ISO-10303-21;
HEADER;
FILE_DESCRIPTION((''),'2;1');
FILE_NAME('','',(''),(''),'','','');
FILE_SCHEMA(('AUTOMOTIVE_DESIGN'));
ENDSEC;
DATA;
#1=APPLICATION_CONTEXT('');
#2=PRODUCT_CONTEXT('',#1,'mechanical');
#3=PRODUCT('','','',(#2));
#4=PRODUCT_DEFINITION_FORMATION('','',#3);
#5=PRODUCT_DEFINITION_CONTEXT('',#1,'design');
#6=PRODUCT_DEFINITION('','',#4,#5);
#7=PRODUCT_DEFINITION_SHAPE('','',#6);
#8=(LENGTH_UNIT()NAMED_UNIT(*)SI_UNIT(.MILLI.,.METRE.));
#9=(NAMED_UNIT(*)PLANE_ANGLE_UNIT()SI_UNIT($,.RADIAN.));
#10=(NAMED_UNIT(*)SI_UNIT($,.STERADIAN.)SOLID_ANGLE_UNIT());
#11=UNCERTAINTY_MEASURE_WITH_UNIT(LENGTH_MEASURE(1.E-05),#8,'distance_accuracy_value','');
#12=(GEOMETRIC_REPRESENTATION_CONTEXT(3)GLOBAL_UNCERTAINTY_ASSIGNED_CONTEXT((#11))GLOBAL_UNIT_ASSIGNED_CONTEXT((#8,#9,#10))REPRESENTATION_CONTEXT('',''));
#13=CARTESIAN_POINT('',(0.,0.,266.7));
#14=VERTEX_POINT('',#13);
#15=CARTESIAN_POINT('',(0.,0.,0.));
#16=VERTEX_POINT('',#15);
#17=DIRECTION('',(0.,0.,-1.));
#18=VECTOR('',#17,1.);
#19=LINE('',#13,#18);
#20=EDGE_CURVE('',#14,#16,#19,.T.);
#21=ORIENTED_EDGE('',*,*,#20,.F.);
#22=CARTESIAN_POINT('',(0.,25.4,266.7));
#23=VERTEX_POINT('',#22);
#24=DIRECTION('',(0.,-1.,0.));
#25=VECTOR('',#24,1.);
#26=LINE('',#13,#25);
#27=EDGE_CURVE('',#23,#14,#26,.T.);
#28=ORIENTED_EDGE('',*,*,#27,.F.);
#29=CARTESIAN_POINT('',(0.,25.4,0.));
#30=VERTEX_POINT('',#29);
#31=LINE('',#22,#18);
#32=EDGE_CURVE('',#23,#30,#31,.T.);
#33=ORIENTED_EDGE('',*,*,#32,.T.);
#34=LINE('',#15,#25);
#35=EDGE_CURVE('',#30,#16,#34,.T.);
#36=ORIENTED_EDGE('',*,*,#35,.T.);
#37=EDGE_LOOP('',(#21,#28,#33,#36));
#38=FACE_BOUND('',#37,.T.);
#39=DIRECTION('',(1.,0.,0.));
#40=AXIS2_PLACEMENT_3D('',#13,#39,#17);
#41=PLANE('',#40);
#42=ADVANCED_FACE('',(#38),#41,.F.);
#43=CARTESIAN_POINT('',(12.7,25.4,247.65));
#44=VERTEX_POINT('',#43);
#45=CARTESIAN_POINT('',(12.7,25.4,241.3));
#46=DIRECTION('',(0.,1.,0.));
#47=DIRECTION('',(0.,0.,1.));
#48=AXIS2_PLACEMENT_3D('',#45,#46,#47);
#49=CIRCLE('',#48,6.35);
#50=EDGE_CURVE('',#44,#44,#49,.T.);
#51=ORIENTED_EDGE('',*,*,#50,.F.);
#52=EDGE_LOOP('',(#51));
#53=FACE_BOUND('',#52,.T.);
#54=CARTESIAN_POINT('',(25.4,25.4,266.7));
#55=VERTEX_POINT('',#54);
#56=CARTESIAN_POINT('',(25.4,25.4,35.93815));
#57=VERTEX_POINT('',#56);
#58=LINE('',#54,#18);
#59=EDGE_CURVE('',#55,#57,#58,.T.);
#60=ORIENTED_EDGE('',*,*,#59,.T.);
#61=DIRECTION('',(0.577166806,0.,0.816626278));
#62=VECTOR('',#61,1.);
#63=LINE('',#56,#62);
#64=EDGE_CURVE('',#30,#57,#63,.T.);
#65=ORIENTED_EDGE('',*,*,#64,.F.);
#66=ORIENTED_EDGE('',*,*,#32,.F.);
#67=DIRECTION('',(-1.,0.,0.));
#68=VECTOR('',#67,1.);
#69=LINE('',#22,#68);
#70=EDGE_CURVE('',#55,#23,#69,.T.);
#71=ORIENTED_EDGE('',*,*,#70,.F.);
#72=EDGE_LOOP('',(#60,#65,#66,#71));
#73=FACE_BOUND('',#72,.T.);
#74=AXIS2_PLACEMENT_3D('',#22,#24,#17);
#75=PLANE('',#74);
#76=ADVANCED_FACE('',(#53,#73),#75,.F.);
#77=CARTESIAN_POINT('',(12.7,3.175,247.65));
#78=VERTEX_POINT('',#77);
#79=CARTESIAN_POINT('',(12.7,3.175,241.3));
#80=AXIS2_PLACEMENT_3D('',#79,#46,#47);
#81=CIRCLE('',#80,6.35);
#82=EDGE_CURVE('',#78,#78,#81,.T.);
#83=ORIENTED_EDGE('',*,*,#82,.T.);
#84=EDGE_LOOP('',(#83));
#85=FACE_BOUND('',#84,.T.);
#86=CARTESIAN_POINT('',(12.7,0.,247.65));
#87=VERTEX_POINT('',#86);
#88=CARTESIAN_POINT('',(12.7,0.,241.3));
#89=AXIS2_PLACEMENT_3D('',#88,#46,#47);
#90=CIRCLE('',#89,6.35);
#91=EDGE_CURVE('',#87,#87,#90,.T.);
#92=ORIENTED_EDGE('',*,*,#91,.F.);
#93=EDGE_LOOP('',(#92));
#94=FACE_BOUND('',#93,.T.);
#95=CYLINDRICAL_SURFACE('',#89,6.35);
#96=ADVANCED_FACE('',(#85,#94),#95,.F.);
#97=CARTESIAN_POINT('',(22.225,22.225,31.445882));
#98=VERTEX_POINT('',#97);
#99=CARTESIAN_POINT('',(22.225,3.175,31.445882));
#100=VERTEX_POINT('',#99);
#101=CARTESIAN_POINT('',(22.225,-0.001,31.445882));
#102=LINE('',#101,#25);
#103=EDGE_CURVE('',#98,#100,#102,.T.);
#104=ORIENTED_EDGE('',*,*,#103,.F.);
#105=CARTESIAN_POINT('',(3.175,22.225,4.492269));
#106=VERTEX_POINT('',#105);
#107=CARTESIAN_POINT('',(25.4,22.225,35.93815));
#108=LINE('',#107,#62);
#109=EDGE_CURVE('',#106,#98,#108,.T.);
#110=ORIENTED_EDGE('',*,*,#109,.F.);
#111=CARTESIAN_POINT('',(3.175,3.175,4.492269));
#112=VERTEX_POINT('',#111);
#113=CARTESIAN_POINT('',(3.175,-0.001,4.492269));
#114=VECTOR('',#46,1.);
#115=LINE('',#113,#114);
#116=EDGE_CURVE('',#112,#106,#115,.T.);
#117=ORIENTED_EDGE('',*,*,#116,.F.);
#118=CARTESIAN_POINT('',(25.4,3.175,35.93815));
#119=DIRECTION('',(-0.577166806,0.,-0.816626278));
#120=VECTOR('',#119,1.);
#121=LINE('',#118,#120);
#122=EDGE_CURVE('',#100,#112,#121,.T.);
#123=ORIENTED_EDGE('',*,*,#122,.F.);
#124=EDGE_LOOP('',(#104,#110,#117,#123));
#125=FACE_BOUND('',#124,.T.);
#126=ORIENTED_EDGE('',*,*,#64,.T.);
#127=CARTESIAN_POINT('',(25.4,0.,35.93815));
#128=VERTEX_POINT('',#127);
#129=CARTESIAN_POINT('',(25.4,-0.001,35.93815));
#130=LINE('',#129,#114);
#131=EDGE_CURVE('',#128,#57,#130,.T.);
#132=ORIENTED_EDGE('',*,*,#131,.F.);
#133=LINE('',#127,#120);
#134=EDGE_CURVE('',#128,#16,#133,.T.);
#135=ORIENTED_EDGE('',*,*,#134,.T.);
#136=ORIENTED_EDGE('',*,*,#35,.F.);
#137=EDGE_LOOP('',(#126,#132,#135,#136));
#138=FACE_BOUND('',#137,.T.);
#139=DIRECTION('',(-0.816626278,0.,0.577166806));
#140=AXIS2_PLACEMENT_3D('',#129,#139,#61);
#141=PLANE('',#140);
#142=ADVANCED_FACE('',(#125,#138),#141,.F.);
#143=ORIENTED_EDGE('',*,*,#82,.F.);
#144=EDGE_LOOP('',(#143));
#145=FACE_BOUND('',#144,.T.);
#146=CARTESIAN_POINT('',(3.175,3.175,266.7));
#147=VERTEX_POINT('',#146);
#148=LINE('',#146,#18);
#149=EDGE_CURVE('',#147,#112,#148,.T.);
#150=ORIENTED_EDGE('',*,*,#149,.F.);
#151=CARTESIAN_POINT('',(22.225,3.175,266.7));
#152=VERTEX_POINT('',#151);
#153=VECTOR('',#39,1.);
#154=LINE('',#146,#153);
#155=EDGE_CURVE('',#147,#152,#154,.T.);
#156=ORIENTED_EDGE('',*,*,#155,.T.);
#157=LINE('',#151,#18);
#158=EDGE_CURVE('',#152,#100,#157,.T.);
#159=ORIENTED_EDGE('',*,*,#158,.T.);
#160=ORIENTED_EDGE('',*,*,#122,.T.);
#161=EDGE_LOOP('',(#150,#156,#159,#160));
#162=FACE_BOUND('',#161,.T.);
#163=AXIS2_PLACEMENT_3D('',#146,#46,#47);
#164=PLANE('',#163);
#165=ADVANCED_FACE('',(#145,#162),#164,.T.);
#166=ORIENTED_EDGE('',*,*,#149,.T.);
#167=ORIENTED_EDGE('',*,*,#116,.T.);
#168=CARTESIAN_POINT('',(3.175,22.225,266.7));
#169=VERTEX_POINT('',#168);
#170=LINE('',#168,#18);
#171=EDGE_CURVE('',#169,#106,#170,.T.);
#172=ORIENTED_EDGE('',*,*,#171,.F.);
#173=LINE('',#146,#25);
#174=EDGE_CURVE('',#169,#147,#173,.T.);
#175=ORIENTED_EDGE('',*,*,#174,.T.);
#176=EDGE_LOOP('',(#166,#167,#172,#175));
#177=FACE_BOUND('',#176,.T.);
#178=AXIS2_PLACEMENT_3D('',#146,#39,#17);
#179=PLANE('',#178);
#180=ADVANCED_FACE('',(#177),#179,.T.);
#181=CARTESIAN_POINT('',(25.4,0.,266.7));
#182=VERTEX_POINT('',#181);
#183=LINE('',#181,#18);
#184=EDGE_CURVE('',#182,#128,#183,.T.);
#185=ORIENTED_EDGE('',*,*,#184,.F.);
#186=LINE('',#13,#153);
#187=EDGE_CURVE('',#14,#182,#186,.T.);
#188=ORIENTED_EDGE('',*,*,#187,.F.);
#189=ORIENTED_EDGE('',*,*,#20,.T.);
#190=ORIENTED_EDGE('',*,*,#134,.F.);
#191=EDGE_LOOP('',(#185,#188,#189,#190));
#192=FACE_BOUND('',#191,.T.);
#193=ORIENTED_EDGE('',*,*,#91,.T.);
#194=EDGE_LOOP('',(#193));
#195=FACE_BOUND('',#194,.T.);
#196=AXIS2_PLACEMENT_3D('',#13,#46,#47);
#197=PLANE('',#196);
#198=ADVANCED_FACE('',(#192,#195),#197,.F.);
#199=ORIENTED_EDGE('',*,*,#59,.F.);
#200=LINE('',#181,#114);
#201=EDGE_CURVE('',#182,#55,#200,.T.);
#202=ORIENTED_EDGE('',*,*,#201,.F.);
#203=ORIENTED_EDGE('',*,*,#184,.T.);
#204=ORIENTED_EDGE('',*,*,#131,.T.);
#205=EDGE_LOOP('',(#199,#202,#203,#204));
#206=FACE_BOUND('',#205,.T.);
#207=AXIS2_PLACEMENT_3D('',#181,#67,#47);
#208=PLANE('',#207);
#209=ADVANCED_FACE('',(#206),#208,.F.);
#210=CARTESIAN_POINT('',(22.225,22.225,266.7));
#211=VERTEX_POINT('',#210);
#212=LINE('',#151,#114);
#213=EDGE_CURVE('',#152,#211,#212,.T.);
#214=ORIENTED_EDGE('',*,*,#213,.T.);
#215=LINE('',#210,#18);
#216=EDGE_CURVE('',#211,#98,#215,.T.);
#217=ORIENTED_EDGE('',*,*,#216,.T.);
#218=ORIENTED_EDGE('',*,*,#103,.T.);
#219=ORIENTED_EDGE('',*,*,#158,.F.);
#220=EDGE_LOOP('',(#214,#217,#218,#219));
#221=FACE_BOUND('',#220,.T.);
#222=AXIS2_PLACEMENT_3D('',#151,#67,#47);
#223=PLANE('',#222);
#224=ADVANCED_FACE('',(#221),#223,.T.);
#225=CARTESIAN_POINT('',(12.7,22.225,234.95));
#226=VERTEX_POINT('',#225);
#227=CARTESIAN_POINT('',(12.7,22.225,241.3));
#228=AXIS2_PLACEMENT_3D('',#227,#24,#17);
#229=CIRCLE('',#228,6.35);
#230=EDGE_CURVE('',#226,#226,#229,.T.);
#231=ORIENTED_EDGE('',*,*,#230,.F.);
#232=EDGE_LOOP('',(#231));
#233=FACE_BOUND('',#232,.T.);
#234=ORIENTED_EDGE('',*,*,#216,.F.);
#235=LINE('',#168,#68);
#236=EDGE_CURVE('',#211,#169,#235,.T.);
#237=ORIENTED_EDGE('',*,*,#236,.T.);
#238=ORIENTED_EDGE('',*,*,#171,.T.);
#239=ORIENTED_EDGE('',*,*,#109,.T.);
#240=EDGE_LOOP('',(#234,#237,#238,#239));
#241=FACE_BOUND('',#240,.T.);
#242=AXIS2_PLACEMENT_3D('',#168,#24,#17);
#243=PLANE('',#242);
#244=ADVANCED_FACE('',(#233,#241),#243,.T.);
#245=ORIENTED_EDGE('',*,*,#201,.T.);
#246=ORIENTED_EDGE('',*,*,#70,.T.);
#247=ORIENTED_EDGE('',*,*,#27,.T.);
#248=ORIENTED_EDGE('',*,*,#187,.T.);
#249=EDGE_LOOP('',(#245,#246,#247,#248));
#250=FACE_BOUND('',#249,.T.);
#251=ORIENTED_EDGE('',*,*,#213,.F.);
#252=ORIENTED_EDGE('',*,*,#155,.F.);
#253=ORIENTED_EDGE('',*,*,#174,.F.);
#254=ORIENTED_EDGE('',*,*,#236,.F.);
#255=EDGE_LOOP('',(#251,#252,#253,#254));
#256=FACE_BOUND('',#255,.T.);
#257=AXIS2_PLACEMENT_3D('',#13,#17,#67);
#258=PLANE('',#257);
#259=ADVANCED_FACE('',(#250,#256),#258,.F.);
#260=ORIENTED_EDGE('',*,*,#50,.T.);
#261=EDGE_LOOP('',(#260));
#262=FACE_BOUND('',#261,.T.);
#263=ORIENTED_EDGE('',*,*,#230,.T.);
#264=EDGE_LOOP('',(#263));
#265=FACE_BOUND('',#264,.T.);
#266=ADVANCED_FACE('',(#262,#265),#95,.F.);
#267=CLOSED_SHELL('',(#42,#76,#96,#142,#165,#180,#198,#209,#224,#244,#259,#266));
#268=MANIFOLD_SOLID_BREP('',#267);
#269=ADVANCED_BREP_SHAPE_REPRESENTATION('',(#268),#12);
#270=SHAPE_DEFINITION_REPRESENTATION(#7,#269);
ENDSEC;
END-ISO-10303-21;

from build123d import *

# Parameters (mm, degrees)
SKETCH1_W           = 25.4
SKETCH1_H           = 25.4
SKETCH1_W_2         = 19.05
SKETCH1_H_2         = 19.05
BOSS_EXTRUDE1_DEPTH = 266.7
CUT_EXTRUDE1_REACH  = 271.108
SKETCH3_R           = 6.35
CUT_EXTRUDE2_DEPTH  = 270.108175275


with BuildPart() as part:
    # Sketch1 → Boss-Extrude1 (new body)
    with BuildSketch(Plane.XY):
        with Locations((12.7, 12.7)):
            Rectangle(SKETCH1_W, SKETCH1_H)
        with Locations((12.7, 12.7)):
            Rectangle(SKETCH1_W_2, SKETCH1_H_2, mode=Mode.SUBTRACT)
    extrude(amount=BOSS_EXTRUDE1_DEPTH)

    # Sketch2 → Cut-Extrude1 (cut, up to next)
    with BuildSketch(Plane(origin=(0, 25.4, 0), x_dir=(1, 0, 0), z_dir=(0, 1, 0)), mode=Mode.PRIVATE) as cut_extrude1_sk1:
        Polygon((25.4, -35.938150335), (0, 0), (25.4, 0), align=None)
    cut_extrude1_tool1 = extrude(cut_extrude1_sk1.sketch, amount=-CUT_EXTRUDE1_REACH, mode=Mode.PRIVATE) & part.part
    add(cut_extrude1_tool1.solids().sort_by_distance((16.933333, 25.4, 11.979383))[0], mode=Mode.SUBTRACT)

    # Sketch3 → Cut-Extrude2 (cut, through all)
    with BuildSketch(Plane(origin=(0, 25.4, 0), x_dir=(1, 0, 0), z_dir=(0, 1, 0))):
        with Locations(Location((12.7, -241.3, 0), (0, 0, 270))):
            Circle(SKETCH3_R)
    extrude(amount=-CUT_EXTRUDE2_DEPTH, mode=Mode.SUBTRACT)


solid = part.part
